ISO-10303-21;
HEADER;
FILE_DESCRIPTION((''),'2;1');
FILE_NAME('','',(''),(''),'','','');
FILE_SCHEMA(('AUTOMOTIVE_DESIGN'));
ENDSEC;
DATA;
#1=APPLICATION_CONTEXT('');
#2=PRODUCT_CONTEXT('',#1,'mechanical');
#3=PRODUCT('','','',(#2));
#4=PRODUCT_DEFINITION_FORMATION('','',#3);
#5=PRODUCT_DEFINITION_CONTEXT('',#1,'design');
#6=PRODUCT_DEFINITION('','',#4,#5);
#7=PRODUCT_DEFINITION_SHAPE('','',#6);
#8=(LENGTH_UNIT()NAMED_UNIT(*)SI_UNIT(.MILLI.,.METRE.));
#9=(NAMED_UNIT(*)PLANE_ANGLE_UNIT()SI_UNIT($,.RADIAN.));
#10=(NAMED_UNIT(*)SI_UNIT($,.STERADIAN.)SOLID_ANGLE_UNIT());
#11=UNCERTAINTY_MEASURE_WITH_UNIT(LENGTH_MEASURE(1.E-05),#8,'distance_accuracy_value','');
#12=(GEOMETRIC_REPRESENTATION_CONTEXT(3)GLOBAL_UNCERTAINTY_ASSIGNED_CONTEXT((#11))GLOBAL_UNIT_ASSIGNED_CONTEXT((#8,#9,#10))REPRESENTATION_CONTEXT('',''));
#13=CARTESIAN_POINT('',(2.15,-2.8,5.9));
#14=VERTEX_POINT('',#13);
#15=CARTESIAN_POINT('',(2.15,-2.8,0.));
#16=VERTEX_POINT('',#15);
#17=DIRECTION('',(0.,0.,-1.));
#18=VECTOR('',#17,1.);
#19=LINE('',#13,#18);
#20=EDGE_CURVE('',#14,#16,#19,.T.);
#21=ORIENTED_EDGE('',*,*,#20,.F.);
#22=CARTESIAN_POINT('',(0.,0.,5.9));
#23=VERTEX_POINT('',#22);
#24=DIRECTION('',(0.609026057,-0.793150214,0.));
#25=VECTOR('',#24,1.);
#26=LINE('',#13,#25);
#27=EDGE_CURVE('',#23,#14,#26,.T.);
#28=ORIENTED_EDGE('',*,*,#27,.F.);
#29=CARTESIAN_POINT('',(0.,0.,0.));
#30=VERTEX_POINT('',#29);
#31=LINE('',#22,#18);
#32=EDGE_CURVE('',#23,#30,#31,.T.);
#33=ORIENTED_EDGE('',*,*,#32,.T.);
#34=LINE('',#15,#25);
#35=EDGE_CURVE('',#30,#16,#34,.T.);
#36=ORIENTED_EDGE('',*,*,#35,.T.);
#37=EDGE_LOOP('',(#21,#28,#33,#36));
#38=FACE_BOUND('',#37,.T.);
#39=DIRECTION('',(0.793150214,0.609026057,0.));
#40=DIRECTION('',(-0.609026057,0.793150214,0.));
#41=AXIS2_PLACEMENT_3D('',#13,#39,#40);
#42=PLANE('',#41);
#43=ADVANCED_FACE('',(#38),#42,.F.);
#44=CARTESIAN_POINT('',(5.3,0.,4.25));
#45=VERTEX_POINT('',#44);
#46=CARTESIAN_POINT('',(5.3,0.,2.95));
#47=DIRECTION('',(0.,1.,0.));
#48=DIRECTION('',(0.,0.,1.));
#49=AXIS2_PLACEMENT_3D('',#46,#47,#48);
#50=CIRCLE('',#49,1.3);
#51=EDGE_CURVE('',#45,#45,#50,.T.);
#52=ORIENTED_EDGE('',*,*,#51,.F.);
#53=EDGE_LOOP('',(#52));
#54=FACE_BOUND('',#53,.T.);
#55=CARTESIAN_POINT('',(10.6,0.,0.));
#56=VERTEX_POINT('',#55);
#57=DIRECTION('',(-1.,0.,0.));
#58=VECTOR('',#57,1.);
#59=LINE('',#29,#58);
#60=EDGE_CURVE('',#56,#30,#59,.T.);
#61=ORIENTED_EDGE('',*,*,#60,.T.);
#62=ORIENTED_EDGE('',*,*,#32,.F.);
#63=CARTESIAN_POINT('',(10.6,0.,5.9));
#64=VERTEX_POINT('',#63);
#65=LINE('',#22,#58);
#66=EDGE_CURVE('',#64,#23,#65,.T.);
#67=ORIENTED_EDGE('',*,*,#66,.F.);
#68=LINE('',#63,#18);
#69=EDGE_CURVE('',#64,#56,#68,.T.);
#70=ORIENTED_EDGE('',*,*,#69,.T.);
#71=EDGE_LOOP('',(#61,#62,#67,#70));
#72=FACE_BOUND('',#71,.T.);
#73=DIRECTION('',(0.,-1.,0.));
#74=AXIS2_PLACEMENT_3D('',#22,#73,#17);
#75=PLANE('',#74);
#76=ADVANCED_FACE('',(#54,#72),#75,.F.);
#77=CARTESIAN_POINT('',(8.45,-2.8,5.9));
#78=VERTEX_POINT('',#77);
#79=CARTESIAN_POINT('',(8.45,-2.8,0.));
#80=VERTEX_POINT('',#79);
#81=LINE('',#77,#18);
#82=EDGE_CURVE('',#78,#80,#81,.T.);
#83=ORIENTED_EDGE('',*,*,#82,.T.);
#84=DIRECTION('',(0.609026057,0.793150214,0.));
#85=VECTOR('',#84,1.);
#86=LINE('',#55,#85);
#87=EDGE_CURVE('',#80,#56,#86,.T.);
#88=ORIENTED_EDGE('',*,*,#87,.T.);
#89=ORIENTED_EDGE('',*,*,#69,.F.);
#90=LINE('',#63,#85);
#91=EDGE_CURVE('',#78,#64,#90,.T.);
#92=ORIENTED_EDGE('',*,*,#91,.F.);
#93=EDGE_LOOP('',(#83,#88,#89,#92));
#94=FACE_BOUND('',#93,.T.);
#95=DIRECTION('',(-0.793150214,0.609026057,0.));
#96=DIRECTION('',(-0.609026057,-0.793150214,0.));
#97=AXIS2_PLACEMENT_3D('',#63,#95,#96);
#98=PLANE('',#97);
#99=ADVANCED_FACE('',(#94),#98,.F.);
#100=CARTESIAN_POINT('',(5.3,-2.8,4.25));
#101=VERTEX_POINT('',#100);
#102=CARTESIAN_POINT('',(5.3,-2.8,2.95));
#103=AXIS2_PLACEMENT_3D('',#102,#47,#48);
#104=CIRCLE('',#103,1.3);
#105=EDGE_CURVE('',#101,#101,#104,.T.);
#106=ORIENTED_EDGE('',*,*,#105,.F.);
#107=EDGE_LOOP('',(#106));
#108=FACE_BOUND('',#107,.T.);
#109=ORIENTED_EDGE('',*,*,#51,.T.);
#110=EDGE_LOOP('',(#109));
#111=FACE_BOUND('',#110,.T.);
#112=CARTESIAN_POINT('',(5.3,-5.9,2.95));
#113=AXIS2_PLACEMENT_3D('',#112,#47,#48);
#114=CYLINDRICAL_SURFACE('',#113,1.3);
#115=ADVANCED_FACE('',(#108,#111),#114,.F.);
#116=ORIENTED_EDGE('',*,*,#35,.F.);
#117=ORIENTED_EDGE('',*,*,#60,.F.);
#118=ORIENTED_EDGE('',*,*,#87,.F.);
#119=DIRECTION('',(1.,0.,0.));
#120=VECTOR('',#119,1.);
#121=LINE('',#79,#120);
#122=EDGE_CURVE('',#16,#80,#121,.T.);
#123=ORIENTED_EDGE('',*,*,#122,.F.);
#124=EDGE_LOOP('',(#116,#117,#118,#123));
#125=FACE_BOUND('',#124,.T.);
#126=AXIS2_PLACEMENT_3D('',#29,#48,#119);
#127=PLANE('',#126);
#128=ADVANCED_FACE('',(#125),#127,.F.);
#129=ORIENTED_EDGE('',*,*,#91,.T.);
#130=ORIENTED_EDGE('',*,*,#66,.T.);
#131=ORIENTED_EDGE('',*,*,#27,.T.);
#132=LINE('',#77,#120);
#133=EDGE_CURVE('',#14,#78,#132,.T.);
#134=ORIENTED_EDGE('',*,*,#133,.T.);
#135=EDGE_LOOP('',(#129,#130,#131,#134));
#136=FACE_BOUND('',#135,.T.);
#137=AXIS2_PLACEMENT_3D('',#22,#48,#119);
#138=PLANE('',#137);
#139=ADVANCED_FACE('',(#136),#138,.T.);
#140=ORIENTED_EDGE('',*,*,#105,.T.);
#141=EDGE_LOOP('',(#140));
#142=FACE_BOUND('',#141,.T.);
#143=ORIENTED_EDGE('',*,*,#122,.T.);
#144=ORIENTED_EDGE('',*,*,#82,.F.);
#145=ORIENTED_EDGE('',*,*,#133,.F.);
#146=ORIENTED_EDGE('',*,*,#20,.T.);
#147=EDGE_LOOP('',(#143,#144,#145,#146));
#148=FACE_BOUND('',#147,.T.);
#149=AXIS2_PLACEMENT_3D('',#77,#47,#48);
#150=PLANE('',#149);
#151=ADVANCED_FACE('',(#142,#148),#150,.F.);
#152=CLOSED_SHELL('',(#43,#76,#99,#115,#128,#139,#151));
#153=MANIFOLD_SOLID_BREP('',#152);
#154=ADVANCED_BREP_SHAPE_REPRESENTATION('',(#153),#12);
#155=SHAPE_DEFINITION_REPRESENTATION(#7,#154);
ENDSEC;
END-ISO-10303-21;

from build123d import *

# Parameters (mm, degrees)
EXTRUDE_1_DEPTH     = 5.9
SKETCH_2_R          = 1.3
CUT_EXTRUDE_1_DEPTH = 5.9


with BuildPart() as part:
    # 草图1 → 凸台-拉伸1 (new body)
    with BuildSketch(Plane.XY):
        Polygon((0, 0), (10.6, 0), (8.45, -2.8), (2.15, -2.8), align=None)
    extrude(amount=EXTRUDE_1_DEPTH)

    # 草图2 → 切除-拉伸1 (cut)
    with BuildSketch(Plane(origin=(0, 0, 0), x_dir=(1, 0, 0), z_dir=(0, 1, 0))):
        with Locations(Location((5.3, -2.95, 0), (0, 0, 270))):
            Circle(SKETCH_2_R)
    extrude(amount=-CUT_EXTRUDE_1_DEPTH, mode=Mode.SUBTRACT)


solid = part.part
